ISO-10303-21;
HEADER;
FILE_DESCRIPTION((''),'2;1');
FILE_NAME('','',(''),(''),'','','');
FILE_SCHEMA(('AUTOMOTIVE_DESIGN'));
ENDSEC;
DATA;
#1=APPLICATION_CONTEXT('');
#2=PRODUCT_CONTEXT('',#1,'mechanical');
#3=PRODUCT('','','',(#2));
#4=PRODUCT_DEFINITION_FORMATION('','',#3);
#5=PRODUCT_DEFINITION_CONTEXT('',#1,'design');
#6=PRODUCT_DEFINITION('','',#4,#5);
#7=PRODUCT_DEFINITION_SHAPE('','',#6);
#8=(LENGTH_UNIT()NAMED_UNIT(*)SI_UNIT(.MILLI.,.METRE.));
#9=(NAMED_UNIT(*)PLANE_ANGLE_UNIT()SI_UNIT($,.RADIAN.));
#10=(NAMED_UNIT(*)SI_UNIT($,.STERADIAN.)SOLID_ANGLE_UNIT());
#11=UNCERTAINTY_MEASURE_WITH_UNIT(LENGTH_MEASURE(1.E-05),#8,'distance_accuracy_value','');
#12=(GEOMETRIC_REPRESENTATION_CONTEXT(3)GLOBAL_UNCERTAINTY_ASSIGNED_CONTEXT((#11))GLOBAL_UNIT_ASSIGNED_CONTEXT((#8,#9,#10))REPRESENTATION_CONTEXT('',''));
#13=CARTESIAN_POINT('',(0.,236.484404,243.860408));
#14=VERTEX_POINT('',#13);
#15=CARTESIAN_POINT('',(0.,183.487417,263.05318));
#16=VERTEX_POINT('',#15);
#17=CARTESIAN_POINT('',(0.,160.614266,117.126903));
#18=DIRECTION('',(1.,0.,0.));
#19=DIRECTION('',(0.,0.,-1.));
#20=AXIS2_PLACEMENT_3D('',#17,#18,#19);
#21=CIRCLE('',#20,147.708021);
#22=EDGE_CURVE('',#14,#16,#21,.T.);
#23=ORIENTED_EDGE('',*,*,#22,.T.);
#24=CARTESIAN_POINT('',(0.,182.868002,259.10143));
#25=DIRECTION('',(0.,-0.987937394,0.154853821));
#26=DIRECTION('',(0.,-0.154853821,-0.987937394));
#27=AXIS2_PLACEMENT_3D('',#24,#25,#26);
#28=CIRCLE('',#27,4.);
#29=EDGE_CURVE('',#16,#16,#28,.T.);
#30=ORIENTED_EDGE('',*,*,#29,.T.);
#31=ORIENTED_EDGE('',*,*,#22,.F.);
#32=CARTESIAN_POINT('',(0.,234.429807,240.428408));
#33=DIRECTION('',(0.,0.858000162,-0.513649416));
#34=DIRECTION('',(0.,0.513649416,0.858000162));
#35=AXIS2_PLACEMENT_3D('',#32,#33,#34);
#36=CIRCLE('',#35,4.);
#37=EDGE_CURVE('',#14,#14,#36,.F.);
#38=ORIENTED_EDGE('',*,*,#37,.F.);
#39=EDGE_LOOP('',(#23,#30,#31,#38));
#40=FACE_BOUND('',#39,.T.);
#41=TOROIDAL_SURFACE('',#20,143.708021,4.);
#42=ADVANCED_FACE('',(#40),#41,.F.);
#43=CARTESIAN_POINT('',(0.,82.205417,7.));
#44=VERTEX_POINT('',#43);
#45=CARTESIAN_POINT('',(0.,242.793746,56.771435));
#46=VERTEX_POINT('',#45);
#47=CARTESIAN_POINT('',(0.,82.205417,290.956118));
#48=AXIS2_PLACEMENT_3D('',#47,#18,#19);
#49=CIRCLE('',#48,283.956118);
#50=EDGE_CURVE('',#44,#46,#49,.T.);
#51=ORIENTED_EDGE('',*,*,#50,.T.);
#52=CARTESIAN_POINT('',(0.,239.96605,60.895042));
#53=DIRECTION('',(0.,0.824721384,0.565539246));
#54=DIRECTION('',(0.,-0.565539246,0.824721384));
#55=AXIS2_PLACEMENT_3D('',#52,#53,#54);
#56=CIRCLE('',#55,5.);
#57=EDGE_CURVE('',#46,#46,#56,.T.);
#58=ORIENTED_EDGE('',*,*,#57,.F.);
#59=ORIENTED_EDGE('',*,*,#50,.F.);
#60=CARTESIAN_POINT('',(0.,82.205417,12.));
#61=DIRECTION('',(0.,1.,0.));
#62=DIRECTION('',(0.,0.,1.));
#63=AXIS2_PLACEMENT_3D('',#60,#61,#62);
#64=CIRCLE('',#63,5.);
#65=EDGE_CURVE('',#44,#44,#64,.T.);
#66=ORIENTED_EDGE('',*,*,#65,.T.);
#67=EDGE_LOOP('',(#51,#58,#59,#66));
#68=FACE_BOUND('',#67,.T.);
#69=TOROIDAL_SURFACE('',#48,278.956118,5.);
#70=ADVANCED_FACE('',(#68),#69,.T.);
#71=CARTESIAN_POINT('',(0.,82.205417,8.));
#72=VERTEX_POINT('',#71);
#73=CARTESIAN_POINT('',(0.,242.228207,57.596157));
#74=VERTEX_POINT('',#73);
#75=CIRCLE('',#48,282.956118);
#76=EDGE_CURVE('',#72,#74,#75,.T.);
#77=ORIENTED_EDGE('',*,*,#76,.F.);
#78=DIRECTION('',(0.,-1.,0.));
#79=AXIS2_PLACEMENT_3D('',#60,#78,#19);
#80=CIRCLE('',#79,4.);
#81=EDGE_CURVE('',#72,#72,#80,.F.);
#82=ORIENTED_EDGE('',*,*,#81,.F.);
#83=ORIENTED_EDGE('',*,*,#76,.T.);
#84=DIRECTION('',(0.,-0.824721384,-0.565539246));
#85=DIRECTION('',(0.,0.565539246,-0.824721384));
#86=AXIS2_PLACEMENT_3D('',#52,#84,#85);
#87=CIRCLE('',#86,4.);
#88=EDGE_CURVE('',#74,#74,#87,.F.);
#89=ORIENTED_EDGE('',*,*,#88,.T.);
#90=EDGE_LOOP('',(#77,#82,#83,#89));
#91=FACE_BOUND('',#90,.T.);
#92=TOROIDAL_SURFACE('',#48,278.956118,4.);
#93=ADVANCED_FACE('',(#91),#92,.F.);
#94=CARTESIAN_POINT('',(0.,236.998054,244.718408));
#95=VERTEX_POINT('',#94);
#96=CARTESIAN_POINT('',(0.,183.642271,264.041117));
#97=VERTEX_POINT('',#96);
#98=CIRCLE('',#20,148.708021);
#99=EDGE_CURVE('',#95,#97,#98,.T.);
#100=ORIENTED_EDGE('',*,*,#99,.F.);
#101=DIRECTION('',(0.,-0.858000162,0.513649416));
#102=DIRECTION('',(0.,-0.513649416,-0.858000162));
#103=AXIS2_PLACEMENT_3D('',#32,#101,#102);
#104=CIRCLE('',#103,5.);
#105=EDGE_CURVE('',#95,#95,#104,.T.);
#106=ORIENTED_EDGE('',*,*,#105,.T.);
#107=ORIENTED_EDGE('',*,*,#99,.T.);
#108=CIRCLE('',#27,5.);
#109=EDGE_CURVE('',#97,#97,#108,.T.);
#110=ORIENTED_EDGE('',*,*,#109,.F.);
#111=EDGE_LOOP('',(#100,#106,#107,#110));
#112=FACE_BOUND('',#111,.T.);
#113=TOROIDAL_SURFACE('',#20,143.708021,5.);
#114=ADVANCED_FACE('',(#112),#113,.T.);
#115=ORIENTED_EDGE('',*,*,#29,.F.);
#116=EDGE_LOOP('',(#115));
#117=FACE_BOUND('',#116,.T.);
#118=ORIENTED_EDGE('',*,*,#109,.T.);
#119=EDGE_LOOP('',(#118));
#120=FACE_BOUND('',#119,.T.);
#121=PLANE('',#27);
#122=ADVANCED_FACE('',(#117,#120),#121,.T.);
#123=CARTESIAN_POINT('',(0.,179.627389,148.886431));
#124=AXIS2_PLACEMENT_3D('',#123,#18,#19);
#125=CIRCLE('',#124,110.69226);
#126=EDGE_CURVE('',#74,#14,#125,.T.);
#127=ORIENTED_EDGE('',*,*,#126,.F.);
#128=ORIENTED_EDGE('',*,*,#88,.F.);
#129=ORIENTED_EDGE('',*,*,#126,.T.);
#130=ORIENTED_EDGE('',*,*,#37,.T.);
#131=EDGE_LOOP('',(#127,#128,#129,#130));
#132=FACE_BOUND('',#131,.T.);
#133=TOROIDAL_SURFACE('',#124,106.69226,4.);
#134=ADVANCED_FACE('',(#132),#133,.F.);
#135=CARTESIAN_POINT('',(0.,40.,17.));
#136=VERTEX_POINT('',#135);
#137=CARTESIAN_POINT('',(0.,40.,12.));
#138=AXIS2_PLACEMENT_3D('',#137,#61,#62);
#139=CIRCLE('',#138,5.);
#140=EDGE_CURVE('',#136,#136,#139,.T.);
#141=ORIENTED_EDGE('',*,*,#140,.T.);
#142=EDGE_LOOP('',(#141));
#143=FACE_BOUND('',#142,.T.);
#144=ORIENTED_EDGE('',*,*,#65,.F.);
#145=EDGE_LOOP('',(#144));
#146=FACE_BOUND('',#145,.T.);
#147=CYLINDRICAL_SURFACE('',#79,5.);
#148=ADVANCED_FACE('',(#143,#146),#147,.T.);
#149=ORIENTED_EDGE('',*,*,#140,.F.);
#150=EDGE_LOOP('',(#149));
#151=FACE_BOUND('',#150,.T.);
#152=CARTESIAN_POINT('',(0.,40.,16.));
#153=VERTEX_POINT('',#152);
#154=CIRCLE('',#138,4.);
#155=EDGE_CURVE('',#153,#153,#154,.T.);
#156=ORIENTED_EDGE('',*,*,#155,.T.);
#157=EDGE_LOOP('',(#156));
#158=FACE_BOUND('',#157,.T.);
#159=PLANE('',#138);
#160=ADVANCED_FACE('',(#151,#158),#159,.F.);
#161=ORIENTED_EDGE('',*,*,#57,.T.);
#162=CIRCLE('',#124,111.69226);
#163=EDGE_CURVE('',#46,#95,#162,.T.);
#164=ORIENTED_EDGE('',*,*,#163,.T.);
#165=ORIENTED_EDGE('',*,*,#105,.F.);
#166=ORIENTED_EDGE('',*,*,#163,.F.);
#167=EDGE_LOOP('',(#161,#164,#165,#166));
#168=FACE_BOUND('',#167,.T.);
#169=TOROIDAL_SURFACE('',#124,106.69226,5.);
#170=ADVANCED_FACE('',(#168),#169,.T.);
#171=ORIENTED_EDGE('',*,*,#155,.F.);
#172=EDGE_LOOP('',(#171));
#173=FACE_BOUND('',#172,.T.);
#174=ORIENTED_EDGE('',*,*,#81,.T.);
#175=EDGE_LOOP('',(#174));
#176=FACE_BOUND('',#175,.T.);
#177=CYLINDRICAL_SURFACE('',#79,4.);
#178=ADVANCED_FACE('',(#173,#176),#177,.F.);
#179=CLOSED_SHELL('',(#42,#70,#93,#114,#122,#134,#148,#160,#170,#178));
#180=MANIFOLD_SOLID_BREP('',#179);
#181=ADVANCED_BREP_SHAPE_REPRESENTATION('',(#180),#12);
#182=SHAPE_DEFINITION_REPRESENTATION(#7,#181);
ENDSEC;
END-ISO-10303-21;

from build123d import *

# Parameters (mm, degrees)
CROQUIS7_R = 5
VACIADO2_T = -1


with BuildPart() as part:
    # Barrer1: sweep along a path in Croquis5
    with BuildLine(Plane(origin=(0, 0, 0), x_dir=(0, 0, -1), z_dir=(1, 0, 0))) as barrer1_path:
        Line((-12, 40), (-12, 82.205417262))
        ThreePointArc((-12, 82.205417262), (-24.504001915, 164.787410469), (-60.895042363, 239.966049996))
        ThreePointArc((-60.895042363, 239.966049996), (-152.17492097, 286.268958564), (-240.428407671, 234.429806704))
        ThreePointArc((-240.428407671, 234.429806704), (-252.247213038, 209.547863063), (-259.101430107, 182.868001969))
    # Croquis7 → Barrer1 (sweep)
    with BuildSketch(Plane(origin=(0, 40, 12), x_dir=(-1, 0, 0), z_dir=(0, 1, 0))):
        Circle(CROQUIS7_R)
    sweep(path=barrer1_path.line)

    # Vaciado2
    vaciado2_openings = [part.faces().sort_by_distance(p)[0] for p in [
        (0, 182.868001969, 259.101430107),
        (0, 40, 12),
    ]]
    offset(amount=VACIADO2_T, openings=vaciado2_openings, kind=Kind.INTERSECTION)


solid = part.part
